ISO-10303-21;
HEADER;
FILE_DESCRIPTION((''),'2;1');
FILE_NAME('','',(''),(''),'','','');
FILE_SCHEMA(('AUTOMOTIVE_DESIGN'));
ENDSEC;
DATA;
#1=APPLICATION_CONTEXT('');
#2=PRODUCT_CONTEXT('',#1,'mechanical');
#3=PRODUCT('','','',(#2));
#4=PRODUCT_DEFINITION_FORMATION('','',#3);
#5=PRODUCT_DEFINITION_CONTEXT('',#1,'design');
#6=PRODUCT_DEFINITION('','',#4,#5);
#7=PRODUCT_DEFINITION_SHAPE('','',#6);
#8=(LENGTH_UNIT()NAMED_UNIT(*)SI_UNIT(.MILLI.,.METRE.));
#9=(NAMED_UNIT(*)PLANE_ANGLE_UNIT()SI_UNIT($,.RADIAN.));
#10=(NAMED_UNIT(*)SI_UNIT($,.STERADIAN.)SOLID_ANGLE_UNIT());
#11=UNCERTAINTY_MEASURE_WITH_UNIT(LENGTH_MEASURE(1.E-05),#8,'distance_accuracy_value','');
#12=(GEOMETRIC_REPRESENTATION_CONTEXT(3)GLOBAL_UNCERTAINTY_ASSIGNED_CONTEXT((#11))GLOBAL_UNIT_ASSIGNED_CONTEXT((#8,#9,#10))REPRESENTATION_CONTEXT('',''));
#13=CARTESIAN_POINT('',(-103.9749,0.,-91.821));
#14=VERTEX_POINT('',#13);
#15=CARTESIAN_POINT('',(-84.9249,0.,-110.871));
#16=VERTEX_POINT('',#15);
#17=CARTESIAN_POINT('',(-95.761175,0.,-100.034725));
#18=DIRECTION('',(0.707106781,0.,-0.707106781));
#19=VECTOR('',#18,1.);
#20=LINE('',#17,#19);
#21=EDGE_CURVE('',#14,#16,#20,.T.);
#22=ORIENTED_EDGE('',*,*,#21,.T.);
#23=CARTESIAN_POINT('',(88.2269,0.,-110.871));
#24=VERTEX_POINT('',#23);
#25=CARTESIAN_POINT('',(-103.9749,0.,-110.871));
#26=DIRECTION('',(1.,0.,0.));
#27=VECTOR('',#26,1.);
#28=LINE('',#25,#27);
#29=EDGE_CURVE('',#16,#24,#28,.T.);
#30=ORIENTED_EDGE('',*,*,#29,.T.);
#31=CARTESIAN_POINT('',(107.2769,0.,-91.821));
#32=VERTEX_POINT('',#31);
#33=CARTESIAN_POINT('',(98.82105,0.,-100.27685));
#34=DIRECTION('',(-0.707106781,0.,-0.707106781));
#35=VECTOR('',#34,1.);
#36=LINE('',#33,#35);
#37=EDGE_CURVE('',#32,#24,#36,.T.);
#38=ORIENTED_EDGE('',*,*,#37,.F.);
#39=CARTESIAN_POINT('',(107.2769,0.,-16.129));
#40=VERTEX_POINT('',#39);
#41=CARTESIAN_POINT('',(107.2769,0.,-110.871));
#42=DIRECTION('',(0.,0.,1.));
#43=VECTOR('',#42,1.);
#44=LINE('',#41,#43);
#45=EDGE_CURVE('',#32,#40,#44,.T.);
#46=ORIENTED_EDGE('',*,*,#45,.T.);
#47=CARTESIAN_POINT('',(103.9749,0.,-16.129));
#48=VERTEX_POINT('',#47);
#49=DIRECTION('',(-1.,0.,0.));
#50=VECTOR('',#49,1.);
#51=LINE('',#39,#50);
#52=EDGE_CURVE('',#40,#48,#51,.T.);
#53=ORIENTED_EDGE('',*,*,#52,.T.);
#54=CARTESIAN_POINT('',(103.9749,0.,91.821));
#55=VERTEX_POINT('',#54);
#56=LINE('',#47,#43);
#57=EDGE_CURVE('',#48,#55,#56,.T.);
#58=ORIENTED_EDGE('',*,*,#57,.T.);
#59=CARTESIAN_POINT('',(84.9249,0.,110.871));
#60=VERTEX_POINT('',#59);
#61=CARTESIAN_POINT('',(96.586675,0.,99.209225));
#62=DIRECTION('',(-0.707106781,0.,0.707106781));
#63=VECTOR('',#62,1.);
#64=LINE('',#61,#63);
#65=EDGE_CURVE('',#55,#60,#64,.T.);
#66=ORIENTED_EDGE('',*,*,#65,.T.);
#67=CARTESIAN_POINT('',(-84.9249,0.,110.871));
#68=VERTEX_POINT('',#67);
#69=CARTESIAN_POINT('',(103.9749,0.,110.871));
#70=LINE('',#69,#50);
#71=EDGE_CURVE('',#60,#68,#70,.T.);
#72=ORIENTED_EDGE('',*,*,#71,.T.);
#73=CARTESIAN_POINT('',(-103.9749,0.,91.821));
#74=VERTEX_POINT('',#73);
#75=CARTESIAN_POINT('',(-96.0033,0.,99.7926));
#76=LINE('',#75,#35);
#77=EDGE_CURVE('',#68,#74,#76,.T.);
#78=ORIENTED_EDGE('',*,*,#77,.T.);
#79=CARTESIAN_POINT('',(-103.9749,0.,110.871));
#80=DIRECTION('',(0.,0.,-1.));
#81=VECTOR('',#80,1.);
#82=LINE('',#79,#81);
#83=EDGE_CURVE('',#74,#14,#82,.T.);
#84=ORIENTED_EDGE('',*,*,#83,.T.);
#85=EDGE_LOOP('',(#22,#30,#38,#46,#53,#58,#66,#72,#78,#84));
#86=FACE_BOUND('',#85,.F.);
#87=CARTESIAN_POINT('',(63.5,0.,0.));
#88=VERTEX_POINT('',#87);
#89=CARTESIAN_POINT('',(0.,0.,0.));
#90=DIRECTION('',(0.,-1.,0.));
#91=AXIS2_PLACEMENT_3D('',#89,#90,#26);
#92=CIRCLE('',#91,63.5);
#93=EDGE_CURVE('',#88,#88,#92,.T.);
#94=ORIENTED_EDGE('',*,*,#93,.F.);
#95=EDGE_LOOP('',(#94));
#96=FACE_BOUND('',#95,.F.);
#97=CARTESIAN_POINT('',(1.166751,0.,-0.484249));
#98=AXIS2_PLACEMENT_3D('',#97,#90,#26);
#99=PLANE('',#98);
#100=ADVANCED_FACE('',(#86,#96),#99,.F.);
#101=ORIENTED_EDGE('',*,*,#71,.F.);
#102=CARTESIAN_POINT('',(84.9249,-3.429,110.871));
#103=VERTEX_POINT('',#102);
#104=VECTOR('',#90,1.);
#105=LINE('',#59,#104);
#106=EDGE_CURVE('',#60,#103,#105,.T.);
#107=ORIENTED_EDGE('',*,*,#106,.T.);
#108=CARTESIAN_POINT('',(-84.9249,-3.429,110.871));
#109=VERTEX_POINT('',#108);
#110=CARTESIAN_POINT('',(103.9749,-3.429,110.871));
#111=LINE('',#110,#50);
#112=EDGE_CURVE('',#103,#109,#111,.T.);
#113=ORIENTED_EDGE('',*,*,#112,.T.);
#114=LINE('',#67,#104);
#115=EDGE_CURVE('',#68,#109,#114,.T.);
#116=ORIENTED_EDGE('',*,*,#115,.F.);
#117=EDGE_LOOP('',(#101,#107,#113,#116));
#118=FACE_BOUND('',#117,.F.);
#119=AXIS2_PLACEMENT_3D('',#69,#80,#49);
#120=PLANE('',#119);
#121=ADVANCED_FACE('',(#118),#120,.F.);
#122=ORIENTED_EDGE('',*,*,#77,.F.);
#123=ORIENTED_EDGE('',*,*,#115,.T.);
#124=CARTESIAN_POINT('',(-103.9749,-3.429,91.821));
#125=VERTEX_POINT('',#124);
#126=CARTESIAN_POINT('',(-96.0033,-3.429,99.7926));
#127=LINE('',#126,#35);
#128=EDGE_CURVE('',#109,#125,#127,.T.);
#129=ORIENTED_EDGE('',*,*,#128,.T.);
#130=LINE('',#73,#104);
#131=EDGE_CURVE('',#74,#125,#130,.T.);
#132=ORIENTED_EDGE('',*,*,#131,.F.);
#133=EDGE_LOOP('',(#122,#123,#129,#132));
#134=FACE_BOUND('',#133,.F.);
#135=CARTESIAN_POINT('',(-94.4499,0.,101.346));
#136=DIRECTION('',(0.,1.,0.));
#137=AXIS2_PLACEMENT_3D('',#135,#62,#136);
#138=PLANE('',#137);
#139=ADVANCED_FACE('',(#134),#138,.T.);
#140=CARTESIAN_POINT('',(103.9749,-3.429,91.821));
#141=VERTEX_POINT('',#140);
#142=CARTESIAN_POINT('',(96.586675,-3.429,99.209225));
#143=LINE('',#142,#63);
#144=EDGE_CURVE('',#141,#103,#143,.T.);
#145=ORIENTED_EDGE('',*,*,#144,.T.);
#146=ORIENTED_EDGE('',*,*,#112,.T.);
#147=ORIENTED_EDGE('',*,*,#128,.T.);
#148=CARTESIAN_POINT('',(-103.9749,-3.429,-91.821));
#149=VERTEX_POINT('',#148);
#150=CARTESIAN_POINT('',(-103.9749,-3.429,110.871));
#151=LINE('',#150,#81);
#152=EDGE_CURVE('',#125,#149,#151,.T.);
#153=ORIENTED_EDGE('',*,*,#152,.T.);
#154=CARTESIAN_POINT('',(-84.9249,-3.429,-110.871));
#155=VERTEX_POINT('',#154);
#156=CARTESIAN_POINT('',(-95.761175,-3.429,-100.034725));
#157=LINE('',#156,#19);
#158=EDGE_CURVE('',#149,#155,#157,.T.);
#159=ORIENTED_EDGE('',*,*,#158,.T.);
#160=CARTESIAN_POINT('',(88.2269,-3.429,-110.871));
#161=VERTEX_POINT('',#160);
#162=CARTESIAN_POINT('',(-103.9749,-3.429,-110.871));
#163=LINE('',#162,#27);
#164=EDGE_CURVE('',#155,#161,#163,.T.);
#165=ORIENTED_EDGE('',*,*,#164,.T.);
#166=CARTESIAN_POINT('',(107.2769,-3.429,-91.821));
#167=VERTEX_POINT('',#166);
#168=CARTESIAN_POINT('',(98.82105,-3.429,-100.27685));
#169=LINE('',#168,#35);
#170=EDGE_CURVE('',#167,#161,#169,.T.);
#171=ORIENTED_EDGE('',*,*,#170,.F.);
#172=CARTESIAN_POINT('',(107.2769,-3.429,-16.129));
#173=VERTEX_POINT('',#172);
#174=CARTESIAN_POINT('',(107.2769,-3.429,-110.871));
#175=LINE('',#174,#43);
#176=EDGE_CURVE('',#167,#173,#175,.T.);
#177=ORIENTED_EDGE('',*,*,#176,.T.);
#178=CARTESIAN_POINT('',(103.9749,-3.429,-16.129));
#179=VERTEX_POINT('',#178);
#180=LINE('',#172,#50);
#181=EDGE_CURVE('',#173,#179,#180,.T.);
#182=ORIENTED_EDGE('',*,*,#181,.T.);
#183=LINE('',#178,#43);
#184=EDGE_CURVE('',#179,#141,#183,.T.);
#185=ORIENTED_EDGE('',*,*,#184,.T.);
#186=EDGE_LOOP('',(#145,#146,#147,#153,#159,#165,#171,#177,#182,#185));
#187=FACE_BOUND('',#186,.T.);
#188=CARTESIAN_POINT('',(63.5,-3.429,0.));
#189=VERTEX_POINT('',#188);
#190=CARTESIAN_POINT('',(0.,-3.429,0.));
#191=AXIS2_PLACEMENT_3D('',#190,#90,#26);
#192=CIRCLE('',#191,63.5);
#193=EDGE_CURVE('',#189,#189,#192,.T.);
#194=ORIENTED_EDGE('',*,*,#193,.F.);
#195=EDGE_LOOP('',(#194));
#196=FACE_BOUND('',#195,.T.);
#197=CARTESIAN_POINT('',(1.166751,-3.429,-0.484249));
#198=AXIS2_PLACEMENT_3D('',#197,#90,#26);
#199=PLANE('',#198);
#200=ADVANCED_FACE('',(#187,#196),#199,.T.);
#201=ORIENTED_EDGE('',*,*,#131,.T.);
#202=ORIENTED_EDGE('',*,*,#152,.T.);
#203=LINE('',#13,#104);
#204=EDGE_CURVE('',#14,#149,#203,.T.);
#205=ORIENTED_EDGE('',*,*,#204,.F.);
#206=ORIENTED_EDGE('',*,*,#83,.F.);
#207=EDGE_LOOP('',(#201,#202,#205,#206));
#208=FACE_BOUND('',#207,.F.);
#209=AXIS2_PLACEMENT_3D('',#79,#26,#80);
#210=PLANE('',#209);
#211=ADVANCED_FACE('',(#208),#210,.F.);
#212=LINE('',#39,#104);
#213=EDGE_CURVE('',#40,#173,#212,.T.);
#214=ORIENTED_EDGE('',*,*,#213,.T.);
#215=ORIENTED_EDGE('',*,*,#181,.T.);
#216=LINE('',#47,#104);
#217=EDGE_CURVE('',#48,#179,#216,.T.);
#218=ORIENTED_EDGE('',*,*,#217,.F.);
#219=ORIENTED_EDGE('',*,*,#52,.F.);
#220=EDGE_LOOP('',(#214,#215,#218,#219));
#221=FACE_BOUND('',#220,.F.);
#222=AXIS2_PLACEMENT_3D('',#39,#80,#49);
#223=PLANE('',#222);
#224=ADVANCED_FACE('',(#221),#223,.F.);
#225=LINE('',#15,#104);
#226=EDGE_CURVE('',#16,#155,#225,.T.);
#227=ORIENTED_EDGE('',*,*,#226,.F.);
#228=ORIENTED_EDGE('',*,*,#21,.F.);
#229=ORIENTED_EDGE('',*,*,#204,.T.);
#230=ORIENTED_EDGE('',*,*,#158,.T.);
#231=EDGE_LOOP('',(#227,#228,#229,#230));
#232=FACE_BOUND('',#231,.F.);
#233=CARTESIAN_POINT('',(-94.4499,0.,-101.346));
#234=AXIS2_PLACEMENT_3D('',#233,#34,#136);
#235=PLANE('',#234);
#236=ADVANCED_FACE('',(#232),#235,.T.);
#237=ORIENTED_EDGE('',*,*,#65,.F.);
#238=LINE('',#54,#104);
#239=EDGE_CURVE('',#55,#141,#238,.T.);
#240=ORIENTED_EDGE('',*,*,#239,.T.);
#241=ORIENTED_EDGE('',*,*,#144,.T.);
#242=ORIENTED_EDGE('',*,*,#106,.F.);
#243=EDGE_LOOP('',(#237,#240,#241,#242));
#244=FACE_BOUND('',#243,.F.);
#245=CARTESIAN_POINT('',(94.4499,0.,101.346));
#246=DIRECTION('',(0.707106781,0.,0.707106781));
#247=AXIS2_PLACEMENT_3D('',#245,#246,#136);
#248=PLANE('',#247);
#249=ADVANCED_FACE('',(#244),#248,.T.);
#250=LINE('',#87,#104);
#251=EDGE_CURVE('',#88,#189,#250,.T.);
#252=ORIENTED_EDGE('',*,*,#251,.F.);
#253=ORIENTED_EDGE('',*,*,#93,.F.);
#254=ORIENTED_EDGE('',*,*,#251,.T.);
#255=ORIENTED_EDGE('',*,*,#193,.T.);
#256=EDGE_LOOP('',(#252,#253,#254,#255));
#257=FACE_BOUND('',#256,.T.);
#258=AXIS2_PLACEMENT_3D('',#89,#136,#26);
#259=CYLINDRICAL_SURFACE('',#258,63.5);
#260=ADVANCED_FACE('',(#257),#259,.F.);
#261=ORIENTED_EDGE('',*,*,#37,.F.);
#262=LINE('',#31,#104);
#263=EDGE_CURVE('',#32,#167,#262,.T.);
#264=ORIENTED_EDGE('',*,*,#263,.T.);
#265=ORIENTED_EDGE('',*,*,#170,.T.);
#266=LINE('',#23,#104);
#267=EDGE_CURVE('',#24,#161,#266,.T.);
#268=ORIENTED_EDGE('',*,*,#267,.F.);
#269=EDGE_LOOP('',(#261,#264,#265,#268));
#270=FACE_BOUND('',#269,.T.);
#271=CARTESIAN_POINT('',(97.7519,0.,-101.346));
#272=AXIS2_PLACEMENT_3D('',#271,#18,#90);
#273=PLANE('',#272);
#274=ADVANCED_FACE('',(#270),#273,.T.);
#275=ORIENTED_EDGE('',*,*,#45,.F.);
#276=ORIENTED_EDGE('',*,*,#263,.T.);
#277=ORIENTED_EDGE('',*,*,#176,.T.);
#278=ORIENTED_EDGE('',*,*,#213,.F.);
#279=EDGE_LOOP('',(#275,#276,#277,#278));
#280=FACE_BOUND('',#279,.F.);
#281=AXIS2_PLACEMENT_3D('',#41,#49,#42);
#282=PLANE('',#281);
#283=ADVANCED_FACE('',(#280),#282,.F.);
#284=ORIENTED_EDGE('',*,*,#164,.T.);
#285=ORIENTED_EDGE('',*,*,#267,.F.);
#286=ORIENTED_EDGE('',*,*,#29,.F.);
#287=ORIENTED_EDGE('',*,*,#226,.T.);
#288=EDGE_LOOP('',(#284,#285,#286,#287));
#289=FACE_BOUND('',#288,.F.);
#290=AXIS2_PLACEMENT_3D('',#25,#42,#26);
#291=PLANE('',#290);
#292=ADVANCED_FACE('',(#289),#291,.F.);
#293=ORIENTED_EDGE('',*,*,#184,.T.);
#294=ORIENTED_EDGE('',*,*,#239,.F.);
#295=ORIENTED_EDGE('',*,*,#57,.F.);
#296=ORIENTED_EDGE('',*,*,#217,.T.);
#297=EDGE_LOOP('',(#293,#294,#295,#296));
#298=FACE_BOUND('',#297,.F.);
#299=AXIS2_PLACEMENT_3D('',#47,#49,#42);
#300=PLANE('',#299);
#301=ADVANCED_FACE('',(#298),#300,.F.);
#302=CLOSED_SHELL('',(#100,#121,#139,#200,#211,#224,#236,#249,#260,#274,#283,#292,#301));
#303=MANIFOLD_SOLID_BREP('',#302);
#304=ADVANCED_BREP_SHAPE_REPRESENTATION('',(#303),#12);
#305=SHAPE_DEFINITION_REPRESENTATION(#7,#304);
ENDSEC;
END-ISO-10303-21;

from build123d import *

# Parameters (mm, degrees)
F0_R     = 63.5
F1_DEPTH = 3.429
F2_SIZE  = 19.05


with BuildPart() as f1:
    # F0 (on Front) → F1 (new body)
    with BuildSketch(Plane.XZ):
        Polygon((103.9749, -16.129), (103.9749, 110.871), (-103.9749, 110.871), (-103.9749, -110.871), (107.2769, -110.871), (107.2769, -16.129), align=None)
        Circle(F0_R, mode=Mode.SUBTRACT)
    extrude(amount=F1_DEPTH)

    # F2
    f2_edges = [f1.edges().sort_by_distance(p)[0] for p in [
        (-103.9749, -1.7145, 110.871),
        (103.9749, -1.7145, 110.871),
        (107.2769, -1.7145, -110.871),
        (-103.9749, -1.7145, -110.871),
    ]]
    chamfer(f2_edges, length=F2_SIZE)


solid = f1.part
